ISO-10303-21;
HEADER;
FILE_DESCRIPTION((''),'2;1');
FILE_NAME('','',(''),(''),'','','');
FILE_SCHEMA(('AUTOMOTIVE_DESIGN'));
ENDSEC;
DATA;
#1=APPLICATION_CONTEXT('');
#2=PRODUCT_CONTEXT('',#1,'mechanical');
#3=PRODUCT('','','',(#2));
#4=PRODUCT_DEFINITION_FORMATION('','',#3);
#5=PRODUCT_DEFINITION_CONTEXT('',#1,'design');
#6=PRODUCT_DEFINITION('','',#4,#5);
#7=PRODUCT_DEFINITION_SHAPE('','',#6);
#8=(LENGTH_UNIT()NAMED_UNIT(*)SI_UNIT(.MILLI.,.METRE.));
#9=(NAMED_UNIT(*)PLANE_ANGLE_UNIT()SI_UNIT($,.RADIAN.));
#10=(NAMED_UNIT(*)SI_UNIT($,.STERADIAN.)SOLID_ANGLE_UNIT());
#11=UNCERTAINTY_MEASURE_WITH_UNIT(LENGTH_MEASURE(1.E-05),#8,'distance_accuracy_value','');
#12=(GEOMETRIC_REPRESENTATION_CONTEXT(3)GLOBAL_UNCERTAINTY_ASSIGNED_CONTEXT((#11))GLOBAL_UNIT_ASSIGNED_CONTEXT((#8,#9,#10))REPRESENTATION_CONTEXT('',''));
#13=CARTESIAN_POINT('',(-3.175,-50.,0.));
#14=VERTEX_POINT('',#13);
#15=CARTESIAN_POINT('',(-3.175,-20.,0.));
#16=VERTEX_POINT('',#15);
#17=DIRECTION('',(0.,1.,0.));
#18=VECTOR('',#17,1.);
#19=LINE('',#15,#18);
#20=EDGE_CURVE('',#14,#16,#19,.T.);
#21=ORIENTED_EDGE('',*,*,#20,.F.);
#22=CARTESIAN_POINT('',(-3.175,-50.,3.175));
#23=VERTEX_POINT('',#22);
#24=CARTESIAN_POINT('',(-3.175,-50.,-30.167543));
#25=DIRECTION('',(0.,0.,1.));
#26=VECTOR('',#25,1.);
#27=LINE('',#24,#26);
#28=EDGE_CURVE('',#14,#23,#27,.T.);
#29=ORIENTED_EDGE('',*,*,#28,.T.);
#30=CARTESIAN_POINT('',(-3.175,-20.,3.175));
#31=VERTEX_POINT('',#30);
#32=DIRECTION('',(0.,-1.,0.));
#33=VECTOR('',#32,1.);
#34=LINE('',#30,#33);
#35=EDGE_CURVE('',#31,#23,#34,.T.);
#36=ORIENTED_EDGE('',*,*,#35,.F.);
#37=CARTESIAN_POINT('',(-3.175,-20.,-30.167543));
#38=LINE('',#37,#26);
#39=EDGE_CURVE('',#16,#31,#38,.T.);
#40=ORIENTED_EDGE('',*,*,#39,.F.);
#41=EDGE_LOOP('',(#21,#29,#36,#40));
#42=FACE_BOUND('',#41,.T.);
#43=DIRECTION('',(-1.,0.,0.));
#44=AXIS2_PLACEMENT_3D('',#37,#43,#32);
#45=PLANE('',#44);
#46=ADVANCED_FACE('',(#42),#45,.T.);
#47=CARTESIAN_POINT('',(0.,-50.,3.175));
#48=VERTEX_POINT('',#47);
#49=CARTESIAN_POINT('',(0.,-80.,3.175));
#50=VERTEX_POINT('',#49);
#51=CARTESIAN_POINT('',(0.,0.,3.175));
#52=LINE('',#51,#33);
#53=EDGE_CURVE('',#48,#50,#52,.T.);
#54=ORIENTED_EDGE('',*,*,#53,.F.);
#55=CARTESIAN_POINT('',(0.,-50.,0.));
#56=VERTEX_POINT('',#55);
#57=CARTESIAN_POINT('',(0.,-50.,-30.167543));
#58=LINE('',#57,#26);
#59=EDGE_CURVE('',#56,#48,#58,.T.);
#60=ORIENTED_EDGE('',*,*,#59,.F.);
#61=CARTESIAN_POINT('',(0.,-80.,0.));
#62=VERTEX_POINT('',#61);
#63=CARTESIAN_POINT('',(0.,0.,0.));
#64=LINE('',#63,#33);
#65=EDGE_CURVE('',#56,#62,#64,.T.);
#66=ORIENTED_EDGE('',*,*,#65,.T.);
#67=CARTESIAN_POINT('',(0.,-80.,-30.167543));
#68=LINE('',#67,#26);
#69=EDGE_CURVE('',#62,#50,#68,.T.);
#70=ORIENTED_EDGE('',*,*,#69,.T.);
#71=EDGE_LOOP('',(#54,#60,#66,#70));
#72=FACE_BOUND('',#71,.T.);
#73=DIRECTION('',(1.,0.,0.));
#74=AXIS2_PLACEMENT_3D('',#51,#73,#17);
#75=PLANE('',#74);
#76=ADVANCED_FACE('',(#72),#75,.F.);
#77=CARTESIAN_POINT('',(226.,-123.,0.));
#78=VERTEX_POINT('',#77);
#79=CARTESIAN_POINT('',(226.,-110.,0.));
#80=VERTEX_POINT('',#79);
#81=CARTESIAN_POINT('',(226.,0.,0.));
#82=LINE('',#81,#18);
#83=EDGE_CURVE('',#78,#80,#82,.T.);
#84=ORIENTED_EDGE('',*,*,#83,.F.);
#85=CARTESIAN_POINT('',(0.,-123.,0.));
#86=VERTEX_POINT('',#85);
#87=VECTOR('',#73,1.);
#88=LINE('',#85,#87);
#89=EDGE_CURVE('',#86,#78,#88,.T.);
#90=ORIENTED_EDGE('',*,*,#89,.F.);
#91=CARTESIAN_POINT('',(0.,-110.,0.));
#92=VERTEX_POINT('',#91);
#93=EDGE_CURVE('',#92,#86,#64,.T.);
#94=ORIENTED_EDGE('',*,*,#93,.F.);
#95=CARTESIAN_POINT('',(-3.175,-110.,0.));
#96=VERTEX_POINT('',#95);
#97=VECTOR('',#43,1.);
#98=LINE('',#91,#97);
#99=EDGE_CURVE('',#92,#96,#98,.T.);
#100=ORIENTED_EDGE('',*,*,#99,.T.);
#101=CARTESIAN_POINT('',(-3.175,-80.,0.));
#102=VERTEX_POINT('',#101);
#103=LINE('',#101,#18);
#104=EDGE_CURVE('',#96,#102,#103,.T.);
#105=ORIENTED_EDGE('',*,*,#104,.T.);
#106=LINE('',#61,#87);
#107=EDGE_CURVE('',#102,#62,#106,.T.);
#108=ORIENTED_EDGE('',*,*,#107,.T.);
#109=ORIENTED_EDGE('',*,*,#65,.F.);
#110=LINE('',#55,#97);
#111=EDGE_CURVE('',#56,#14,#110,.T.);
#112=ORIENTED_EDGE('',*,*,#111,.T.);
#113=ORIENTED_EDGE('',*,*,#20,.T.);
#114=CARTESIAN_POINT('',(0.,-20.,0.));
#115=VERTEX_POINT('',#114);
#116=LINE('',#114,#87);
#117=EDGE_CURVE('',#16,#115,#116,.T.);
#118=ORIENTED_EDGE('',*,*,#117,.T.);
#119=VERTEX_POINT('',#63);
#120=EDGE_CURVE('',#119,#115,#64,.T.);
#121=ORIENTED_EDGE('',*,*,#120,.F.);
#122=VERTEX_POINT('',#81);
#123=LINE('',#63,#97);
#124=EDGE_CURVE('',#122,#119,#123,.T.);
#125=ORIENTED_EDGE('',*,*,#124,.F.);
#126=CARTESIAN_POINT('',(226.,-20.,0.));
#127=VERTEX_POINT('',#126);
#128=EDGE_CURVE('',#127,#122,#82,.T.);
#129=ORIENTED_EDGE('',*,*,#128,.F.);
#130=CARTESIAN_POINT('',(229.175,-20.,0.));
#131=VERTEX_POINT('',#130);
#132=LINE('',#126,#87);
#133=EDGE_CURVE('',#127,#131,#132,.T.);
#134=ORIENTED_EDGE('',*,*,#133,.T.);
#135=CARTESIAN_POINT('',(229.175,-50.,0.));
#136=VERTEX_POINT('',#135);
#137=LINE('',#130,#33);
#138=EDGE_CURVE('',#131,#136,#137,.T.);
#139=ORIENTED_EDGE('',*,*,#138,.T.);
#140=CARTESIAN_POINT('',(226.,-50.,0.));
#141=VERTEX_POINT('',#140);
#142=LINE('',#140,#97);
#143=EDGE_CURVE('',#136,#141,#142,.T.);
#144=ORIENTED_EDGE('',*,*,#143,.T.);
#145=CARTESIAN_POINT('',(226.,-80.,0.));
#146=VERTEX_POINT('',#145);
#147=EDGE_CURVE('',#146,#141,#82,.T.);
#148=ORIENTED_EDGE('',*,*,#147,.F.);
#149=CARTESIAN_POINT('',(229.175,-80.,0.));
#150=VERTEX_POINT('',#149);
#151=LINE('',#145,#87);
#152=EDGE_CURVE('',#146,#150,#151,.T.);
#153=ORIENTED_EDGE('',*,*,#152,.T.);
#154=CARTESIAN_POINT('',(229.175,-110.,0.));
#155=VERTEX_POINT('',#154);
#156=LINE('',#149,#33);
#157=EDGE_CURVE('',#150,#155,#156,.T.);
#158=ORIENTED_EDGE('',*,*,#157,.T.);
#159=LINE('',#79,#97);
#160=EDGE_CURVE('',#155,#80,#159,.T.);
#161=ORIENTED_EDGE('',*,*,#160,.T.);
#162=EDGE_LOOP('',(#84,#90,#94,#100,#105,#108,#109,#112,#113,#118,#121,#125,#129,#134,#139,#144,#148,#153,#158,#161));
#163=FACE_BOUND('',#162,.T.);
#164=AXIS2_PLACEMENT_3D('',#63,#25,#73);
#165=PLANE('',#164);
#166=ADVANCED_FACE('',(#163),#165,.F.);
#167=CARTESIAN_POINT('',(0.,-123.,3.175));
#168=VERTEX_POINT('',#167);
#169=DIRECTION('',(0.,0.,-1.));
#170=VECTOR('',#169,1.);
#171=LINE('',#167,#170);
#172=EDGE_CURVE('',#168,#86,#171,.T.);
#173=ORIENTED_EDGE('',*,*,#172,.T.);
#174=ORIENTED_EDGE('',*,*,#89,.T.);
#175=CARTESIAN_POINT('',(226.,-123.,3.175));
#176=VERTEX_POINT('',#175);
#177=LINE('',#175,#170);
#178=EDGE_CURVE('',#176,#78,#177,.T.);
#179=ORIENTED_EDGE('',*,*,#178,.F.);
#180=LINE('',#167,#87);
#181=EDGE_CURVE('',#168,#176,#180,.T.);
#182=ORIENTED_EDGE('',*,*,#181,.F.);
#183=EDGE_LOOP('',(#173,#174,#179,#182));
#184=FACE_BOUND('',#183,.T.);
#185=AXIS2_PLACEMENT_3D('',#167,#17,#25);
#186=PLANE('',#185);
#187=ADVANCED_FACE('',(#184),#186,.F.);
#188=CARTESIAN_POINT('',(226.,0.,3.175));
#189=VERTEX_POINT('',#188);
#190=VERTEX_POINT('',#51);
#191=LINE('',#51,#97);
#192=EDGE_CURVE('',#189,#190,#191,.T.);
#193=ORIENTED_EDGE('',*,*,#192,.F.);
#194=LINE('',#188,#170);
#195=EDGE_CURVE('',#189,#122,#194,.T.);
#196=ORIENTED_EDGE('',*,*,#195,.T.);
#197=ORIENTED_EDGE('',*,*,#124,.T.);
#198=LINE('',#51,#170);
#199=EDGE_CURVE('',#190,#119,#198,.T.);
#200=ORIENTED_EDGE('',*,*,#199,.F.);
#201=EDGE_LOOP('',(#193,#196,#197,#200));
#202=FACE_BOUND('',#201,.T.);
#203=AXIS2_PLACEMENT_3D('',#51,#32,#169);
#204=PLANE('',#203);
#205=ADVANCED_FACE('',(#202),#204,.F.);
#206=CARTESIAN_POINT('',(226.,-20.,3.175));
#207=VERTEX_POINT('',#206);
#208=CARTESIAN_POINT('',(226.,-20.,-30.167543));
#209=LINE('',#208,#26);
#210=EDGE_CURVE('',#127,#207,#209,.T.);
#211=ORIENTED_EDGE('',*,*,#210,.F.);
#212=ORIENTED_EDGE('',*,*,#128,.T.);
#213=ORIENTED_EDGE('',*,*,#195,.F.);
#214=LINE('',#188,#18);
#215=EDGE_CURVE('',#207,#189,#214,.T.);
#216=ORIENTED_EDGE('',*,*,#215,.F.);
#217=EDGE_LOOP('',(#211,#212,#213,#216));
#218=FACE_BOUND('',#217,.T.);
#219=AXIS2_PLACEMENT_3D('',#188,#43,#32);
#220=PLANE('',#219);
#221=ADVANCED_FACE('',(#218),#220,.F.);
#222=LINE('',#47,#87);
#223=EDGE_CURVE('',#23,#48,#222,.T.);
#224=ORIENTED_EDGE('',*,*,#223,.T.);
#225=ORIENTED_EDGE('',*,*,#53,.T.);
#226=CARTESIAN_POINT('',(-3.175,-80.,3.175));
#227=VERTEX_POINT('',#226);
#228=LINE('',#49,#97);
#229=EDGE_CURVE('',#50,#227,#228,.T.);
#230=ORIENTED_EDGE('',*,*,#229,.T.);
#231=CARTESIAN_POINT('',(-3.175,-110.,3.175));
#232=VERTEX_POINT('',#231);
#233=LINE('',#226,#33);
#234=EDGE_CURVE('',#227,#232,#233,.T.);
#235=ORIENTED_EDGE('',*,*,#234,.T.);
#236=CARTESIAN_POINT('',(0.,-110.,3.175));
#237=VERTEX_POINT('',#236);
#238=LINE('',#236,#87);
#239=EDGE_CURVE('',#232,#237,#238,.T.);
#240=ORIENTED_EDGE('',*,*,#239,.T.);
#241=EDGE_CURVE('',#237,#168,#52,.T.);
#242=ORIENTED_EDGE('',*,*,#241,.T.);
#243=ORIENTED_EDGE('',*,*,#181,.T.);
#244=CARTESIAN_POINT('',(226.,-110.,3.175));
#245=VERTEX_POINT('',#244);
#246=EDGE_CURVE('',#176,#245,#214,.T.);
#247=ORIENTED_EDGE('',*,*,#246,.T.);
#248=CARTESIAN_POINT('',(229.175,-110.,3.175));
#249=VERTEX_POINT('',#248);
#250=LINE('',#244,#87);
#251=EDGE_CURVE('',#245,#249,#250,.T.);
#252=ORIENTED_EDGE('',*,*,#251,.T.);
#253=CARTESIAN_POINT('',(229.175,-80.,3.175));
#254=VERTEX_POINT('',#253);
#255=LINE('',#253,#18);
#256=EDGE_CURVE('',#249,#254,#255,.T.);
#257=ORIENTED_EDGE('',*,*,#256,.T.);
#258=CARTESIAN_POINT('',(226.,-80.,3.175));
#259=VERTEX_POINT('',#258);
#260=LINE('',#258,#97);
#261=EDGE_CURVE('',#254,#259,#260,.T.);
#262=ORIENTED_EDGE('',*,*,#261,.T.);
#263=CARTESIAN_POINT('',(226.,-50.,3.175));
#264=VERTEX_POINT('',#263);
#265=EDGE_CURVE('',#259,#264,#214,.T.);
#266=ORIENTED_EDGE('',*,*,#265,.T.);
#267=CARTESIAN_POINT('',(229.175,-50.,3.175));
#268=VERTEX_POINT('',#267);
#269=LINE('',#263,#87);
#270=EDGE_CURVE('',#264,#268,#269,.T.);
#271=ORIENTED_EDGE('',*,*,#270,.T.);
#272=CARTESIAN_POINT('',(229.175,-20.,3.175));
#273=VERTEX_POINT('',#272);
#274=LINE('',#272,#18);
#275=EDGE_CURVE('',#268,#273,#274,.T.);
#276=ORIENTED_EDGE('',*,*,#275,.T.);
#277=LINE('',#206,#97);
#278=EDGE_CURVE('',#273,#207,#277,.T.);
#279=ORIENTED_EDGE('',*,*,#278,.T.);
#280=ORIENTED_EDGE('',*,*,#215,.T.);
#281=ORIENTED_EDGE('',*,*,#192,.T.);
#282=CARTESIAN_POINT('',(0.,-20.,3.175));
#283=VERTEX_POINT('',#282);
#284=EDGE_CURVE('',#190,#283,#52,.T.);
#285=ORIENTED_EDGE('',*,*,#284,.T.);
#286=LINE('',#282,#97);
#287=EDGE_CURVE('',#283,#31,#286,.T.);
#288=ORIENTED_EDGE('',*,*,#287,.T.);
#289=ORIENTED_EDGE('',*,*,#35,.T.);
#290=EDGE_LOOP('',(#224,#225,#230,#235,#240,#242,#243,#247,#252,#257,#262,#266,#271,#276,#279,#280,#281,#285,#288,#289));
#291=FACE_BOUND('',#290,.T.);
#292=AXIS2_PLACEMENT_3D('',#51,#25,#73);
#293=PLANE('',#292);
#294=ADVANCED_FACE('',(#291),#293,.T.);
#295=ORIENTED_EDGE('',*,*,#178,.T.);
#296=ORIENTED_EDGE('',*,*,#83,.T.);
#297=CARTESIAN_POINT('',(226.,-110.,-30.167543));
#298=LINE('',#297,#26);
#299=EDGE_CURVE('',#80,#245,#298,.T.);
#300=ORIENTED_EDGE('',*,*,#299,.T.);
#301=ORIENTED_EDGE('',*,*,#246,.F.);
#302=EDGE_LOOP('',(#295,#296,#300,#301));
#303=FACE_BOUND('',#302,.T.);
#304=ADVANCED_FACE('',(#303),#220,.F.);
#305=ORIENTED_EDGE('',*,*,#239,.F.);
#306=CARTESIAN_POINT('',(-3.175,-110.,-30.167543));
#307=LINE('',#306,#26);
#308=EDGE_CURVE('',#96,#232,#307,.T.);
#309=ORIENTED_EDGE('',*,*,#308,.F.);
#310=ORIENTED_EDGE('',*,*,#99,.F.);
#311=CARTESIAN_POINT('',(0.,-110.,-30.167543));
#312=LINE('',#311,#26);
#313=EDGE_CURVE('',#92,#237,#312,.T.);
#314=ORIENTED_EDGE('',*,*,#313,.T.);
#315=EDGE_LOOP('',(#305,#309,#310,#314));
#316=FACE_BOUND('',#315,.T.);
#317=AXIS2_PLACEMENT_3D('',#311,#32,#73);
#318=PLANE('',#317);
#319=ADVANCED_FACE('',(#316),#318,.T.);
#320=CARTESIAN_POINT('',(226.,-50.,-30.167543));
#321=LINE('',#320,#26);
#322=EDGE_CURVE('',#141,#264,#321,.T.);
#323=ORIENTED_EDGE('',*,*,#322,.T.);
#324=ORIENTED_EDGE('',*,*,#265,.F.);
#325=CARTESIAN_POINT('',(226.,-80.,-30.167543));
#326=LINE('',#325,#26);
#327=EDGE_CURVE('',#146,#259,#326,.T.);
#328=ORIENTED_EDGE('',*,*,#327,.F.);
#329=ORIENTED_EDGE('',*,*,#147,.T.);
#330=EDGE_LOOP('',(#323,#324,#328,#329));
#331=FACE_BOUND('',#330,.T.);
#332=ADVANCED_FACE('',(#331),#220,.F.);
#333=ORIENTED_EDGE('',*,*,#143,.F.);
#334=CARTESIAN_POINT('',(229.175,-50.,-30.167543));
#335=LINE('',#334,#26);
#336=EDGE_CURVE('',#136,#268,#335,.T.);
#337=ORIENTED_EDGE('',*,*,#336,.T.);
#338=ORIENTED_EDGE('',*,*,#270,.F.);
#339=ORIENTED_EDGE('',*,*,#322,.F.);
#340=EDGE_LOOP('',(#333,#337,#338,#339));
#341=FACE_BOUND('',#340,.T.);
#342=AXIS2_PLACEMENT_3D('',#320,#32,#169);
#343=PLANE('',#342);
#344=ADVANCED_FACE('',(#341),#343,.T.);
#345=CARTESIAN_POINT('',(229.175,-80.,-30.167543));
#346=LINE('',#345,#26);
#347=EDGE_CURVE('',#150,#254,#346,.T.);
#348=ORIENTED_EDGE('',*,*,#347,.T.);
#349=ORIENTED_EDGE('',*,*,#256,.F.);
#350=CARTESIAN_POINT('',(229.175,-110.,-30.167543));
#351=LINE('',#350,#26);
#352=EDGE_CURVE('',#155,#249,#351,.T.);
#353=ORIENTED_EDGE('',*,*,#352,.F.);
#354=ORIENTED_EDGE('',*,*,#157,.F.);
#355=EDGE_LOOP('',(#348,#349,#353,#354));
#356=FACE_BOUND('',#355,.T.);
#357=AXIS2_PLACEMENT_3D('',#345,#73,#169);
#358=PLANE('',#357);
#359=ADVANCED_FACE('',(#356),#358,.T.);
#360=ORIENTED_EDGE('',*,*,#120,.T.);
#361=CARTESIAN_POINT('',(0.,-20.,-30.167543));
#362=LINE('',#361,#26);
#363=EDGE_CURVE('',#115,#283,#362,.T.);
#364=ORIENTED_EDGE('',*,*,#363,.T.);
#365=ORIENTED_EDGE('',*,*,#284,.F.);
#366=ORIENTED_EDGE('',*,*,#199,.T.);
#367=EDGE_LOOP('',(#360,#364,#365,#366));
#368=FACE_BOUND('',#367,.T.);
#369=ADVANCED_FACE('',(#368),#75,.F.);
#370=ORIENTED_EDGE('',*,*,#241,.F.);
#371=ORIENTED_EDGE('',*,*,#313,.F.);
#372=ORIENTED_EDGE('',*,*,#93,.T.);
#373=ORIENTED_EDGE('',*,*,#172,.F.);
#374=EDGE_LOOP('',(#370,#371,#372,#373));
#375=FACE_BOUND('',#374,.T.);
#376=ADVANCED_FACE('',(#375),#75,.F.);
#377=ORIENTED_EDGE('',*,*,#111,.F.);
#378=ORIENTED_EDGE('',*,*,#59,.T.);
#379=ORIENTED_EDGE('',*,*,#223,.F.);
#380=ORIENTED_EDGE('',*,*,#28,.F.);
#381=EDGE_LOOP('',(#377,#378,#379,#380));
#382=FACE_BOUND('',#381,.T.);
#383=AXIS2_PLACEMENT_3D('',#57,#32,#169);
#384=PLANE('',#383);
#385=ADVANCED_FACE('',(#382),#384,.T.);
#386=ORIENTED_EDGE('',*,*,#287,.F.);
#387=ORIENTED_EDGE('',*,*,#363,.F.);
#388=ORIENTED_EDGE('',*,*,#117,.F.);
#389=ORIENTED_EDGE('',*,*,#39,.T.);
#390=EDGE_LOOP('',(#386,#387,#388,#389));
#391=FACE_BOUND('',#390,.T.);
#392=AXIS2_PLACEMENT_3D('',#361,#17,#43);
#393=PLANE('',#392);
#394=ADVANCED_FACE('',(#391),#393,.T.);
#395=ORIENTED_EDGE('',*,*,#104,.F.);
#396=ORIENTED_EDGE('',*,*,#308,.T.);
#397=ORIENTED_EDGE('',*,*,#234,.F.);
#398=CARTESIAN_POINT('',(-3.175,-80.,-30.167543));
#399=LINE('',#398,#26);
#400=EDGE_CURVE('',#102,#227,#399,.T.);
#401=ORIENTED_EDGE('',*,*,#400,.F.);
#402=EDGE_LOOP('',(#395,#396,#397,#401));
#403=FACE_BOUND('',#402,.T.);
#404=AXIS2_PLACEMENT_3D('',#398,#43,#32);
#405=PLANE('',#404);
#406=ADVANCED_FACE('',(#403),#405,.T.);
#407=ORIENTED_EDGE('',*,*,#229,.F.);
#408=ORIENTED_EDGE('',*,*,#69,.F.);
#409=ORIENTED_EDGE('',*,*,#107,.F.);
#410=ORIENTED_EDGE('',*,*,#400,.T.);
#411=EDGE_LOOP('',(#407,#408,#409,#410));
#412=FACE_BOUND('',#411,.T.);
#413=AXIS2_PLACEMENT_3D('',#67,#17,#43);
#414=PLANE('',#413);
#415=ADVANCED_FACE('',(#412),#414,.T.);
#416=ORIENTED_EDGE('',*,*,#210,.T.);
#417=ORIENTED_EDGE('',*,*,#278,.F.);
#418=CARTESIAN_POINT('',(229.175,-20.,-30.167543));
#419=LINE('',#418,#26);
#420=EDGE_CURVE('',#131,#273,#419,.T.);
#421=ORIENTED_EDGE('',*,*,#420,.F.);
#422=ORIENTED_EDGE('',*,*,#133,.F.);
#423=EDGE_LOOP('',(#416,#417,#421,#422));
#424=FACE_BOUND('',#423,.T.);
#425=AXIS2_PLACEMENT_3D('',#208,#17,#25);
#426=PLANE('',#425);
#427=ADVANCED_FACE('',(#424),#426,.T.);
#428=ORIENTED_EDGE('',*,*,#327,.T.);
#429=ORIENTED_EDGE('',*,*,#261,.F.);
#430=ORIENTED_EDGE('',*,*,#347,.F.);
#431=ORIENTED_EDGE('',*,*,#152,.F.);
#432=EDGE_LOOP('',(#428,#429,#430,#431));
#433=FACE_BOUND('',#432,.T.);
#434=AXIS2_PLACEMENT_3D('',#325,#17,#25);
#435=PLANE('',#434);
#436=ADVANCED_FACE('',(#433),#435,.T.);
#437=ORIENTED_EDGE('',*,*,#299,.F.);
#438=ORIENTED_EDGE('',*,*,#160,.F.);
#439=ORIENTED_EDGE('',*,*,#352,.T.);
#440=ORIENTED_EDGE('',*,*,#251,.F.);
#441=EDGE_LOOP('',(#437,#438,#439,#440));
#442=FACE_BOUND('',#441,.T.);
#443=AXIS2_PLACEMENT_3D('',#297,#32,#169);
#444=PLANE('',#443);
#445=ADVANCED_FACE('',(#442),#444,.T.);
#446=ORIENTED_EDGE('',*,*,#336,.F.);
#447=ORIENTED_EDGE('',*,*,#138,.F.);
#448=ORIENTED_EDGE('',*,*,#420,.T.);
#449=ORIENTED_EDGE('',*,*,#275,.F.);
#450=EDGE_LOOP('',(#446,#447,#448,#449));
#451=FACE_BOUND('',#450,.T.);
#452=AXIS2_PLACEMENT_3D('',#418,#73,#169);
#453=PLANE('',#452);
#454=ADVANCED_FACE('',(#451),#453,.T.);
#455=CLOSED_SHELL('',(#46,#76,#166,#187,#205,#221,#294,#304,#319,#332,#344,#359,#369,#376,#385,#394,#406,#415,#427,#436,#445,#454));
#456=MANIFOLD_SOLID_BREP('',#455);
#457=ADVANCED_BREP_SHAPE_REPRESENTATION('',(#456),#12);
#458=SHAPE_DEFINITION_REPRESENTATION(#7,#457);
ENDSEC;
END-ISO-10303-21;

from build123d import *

# Parameters (mm, degrees)
SKETCH1_W           = 226
SKETCH1_H           = 123
BOSS_EXTRUDE1_DEPTH = 3.175
SKETCH2_W           = 3.175
SKETCH2_H           = 30
BOSS_EXTRUDE2_DEPTH = 3.175


with BuildPart() as part:
    # Sketch1 → Boss-Extrude1 (new body)
    with BuildSketch(Plane.XY):
        with Locations((113, -61.5)):
            Rectangle(SKETCH1_W, SKETCH1_H)
    extrude(amount=BOSS_EXTRUDE1_DEPTH)

    # Sketch2 → Boss-Extrude2 (add)
    with BuildSketch(Plane.XY.offset(3.175)):
        with Locations((-1.5875, -35)):
            Rectangle(SKETCH2_W, SKETCH2_H)
        with Locations((227.5875, -35)):
            Rectangle(SKETCH2_W, SKETCH2_H)
        with Locations((-1.5875, -95)):
            Rectangle(SKETCH2_W, SKETCH2_H)
        with Locations((227.5875, -95)):
            Rectangle(SKETCH2_W, SKETCH2_H)
    extrude(amount=-BOSS_EXTRUDE2_DEPTH)


solid = part.part
